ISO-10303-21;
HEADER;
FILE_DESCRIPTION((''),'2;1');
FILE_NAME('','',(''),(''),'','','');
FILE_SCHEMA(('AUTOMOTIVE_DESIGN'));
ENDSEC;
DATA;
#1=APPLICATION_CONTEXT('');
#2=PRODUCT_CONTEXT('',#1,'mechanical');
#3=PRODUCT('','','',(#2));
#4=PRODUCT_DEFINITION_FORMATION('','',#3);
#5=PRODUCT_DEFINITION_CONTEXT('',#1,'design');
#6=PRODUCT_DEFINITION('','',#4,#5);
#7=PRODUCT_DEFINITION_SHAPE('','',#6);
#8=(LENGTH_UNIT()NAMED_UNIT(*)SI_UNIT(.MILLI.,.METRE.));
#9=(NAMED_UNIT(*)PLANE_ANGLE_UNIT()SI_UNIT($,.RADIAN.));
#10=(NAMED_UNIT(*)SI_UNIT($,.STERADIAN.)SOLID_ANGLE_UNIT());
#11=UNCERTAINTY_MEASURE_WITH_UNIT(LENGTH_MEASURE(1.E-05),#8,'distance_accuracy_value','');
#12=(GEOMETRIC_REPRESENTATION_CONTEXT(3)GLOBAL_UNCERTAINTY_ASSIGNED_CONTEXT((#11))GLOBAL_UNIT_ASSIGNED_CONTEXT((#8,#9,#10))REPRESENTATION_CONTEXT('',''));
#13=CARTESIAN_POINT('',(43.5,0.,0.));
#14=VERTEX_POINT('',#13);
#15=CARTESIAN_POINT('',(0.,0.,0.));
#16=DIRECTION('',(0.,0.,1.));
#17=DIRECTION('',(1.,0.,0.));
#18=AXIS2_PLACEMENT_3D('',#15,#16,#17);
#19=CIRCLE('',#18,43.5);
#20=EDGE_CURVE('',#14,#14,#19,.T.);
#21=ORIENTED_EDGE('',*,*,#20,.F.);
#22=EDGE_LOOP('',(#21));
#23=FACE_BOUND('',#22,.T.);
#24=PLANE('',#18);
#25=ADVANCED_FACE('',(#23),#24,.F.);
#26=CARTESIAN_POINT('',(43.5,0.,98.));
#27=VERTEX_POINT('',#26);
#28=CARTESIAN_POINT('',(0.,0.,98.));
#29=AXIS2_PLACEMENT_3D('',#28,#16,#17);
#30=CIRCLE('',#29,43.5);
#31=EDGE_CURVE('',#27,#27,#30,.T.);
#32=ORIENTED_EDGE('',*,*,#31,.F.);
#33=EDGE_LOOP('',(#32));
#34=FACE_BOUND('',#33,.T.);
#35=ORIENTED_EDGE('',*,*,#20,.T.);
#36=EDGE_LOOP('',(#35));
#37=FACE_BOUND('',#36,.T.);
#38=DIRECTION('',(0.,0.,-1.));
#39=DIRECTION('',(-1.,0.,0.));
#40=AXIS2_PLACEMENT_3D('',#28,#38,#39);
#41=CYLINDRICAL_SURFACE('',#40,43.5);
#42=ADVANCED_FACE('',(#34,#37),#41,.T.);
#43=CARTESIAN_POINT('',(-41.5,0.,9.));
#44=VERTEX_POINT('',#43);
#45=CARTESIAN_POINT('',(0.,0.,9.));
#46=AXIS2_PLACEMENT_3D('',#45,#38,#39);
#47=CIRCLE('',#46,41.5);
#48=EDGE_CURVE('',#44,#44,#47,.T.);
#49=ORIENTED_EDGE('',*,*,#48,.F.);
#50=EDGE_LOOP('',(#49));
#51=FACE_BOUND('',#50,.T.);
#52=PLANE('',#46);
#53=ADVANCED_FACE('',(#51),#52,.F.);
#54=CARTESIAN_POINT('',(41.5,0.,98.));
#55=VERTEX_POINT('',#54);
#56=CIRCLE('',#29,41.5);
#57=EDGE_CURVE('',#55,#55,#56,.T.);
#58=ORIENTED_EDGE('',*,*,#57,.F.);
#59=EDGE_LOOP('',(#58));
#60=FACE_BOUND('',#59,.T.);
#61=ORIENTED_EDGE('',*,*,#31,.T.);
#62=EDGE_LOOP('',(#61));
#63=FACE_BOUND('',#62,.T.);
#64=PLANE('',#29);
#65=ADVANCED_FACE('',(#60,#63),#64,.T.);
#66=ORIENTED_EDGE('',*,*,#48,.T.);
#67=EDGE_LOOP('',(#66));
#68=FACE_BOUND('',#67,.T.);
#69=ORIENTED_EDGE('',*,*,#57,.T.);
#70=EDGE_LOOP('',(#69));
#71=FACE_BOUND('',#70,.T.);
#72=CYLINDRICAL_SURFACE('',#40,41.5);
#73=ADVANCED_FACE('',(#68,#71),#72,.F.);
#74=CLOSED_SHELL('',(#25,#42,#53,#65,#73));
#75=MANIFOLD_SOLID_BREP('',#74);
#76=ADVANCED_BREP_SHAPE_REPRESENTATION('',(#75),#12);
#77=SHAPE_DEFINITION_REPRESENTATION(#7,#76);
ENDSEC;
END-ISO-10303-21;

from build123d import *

# Parameters (mm, degrees)
ESQUISSE1_R        = 43.5
ESQUISSE1_R_2      = 41.5
BOSS_EXTRU_1_DEPTH = 98
ESQUISSE2_R        = 41.5
BOSS_EXTRU_2_DEPTH = 9


with BuildPart() as part:
    # Esquisse1 → Boss.-Extru.1 (new body)
    with BuildSketch(Plane.XY):
        Circle(ESQUISSE1_R)
        Circle(ESQUISSE1_R_2, mode=Mode.SUBTRACT)
    extrude(amount=BOSS_EXTRU_1_DEPTH)

    # Esquisse2 → Boss.-Extru.2 (add)
    with BuildSketch(Plane(origin=(0, 0, 0), x_dir=(-1, 0, 0), z_dir=(0, 0, -1))):
        Circle(ESQUISSE2_R)
    extrude(amount=-BOSS_EXTRU_2_DEPTH)


solid = part.part
